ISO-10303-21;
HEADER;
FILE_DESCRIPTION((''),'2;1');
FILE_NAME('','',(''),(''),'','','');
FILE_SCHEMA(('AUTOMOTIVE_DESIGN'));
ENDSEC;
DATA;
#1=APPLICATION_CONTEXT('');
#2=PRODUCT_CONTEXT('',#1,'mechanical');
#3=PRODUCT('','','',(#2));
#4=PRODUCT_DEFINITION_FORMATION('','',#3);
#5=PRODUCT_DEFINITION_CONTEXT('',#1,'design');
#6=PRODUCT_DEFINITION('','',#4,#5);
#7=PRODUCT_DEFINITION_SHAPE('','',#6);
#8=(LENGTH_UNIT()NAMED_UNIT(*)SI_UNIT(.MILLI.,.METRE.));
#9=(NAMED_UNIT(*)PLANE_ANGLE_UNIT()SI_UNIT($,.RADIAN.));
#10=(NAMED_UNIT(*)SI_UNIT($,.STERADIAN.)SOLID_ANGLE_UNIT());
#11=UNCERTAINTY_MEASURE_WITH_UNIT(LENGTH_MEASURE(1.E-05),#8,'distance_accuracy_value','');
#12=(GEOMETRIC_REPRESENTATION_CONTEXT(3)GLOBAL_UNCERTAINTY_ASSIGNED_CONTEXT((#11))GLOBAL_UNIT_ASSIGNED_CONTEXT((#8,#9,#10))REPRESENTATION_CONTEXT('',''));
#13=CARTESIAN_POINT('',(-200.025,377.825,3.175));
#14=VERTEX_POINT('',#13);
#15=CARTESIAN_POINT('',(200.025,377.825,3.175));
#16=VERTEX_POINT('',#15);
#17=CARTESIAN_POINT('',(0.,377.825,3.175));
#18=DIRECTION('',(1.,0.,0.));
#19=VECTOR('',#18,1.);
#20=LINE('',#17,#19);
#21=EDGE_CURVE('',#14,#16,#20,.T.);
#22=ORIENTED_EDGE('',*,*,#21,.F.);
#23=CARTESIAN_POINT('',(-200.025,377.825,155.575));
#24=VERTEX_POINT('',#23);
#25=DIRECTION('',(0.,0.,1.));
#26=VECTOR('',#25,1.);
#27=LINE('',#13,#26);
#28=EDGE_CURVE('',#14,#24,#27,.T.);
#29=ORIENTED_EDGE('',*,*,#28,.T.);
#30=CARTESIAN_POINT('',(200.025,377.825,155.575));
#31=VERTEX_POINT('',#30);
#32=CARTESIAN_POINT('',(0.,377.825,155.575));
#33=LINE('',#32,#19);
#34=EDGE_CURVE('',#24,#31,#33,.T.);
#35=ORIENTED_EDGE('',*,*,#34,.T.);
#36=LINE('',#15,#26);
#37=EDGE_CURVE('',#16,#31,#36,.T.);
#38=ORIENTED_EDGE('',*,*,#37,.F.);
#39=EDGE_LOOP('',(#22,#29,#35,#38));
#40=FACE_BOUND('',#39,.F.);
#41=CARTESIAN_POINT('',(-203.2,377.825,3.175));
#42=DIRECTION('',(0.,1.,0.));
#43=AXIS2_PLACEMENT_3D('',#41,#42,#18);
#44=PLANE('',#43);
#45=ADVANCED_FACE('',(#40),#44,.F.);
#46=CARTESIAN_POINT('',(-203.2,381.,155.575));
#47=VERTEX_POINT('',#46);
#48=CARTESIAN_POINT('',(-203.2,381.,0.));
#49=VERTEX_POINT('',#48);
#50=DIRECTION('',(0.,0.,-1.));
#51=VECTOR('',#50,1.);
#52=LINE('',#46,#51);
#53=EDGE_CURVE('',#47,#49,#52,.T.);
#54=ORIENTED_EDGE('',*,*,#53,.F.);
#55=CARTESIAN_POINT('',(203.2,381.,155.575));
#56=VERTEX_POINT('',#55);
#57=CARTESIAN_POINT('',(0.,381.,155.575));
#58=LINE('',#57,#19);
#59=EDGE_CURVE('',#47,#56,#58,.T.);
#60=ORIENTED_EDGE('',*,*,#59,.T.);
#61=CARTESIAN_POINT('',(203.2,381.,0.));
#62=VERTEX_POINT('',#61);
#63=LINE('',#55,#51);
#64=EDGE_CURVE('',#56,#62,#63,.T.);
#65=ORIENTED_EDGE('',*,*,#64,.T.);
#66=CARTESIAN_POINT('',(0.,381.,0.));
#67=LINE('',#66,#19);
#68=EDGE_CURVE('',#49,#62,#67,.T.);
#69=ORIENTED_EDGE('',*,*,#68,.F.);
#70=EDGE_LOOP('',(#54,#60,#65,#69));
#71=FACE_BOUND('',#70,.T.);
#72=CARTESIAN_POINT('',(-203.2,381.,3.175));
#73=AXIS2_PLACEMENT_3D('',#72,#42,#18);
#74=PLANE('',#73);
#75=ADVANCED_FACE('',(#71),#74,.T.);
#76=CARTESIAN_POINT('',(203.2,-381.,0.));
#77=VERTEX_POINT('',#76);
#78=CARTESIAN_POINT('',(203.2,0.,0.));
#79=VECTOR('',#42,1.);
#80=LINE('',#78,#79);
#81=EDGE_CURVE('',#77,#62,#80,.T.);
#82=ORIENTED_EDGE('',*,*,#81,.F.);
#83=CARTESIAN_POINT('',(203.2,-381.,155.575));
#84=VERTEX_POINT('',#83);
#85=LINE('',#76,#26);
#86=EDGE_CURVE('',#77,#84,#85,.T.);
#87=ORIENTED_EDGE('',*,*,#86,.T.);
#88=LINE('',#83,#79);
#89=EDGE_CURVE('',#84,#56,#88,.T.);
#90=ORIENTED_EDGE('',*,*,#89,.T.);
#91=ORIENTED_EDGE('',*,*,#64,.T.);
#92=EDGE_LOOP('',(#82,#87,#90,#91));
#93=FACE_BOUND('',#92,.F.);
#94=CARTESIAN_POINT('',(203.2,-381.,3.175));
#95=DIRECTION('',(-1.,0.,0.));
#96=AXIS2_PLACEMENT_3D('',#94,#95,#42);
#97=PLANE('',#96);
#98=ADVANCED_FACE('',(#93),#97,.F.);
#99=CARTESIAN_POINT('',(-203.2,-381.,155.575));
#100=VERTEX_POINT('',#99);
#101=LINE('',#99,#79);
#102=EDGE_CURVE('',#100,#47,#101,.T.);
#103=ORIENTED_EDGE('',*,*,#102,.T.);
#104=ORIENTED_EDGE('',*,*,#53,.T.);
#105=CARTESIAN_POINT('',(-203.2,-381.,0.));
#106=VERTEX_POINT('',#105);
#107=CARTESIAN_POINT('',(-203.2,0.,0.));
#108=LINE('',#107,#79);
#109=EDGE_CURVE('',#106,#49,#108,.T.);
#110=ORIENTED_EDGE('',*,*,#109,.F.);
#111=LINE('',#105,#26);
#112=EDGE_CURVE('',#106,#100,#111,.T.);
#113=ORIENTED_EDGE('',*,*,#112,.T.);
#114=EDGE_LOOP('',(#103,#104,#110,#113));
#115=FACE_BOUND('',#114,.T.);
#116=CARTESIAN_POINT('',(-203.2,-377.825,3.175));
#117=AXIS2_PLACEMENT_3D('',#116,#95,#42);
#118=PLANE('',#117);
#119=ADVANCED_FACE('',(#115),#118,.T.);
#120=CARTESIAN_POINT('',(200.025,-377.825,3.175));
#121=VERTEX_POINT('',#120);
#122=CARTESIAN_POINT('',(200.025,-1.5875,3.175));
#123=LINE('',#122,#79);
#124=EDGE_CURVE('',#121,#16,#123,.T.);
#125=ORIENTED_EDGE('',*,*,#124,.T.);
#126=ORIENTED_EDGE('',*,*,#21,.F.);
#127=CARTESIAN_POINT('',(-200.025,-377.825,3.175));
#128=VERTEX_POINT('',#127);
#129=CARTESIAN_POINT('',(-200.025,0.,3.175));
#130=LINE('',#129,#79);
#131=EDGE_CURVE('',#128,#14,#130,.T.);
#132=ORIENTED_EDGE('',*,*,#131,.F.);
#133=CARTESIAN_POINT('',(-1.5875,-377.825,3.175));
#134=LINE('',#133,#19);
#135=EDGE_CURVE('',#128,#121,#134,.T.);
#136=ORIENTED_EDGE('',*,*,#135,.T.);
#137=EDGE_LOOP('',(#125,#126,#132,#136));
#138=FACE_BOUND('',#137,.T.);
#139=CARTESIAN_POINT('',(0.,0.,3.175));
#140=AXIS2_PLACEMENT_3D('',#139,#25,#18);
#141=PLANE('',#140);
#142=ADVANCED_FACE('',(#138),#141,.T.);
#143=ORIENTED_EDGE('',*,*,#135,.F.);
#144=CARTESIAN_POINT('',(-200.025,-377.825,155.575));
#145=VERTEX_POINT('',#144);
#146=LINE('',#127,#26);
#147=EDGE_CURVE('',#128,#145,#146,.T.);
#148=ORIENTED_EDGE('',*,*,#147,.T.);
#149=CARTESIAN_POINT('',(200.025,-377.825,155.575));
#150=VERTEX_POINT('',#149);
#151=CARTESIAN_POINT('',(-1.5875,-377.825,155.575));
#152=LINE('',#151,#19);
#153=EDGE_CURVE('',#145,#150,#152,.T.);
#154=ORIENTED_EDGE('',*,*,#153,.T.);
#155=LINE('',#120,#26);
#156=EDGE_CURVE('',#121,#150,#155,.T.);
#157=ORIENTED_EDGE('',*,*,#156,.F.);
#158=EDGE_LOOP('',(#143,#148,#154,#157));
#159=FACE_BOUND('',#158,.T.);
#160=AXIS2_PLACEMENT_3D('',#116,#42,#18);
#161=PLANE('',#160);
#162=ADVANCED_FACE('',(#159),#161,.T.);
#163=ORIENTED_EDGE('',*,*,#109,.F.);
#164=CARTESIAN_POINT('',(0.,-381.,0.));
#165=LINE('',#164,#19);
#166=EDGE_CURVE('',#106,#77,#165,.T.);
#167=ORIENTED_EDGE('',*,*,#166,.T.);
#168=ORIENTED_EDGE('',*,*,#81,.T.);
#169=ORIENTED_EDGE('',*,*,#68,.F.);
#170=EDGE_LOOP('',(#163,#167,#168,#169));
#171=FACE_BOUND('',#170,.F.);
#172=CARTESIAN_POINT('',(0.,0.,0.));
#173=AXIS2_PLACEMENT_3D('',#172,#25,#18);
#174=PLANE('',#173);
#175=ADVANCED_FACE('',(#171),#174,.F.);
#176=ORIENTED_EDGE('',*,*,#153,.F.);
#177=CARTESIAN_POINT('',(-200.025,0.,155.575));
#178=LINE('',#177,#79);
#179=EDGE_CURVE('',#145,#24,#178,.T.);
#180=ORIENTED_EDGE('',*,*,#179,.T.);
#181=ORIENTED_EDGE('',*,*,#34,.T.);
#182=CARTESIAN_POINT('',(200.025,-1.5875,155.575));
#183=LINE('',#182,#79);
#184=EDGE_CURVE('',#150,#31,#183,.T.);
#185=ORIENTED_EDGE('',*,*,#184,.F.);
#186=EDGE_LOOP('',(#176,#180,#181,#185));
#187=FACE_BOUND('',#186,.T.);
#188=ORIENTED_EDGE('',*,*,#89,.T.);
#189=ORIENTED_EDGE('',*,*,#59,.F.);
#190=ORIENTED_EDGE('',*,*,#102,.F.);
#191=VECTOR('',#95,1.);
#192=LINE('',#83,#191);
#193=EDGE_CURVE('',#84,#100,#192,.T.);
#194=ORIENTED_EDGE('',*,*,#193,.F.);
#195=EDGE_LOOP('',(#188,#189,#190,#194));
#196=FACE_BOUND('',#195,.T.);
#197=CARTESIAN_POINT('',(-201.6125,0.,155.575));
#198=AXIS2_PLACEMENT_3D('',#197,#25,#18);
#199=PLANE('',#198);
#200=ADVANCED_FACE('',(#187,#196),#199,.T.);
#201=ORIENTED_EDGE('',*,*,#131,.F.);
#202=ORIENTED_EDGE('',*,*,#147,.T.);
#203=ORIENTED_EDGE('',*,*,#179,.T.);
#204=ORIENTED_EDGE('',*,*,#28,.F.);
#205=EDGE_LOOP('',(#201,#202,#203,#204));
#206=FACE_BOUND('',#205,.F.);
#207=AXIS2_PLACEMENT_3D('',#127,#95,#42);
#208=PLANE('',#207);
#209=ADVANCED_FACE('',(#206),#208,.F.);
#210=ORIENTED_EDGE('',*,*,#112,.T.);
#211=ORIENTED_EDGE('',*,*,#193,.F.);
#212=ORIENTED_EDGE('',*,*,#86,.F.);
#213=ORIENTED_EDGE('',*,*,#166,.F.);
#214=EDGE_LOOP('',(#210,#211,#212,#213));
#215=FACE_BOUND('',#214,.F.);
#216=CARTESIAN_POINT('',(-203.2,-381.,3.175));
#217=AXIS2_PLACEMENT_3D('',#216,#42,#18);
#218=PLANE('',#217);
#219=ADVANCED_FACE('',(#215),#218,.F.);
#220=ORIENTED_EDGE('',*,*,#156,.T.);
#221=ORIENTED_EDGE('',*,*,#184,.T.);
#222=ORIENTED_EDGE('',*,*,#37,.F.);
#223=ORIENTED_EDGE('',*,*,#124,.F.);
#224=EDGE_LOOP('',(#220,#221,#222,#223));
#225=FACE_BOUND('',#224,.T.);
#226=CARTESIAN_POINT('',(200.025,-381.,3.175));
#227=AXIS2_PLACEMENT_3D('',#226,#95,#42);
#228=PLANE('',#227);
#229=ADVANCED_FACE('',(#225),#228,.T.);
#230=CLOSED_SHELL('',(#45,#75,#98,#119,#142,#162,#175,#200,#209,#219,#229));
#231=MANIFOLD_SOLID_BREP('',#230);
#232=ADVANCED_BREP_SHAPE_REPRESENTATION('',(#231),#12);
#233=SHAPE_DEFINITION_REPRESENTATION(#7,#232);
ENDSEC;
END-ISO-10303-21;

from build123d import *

# Parameters (mm, degrees)
F0_W     = 406.4
F0_H     = 762
F1_DEPTH = 3.175
F2_W     = 406.4
F2_H     = 3.175
F3_DEPTH = 152.4
F4_W     = 3.175
F4_H     = 758.825
F5_DEPTH = 152.4
F6_W     = 403.225
F6_H     = 3.175
F7_DEPTH = 152.4
F8_W     = 3.175
F8_H     = 755.65
F9_DEPTH = 152.4


with BuildPart() as f1:
    # F0 (on Top) → F1 (new body)
    with BuildSketch(Plane.XY):
        Rectangle(F0_W, F0_H)
    extrude(amount=F1_DEPTH)

    # F2 (on face) → F3 (join)
    with BuildSketch(Plane.XY.offset(3.175)):
        with Locations((0, 379.4125)):
            Rectangle(F2_W, F2_H)
    extrude(amount=F3_DEPTH)

    # F4 (on face) → F5 (join)
    with BuildSketch(Plane.XY.offset(3.175)):
        with Locations((201.6125, -1.5875)):
            Rectangle(F4_W, F4_H)
    extrude(amount=F5_DEPTH)

    # F6 (on face) → F7 (join)
    with BuildSketch(Plane.XY.offset(3.175)):
        with Locations((-1.5875, -379.4125)):
            Rectangle(F6_W, F6_H)
    extrude(amount=F7_DEPTH)

    # F8 (on face) → F9 (join)
    with BuildSketch(Plane.XY.offset(3.175)):
        with Locations((-201.6125, 0)):
            Rectangle(F8_W, F8_H)
    extrude(amount=F9_DEPTH)


solid = f1.part
